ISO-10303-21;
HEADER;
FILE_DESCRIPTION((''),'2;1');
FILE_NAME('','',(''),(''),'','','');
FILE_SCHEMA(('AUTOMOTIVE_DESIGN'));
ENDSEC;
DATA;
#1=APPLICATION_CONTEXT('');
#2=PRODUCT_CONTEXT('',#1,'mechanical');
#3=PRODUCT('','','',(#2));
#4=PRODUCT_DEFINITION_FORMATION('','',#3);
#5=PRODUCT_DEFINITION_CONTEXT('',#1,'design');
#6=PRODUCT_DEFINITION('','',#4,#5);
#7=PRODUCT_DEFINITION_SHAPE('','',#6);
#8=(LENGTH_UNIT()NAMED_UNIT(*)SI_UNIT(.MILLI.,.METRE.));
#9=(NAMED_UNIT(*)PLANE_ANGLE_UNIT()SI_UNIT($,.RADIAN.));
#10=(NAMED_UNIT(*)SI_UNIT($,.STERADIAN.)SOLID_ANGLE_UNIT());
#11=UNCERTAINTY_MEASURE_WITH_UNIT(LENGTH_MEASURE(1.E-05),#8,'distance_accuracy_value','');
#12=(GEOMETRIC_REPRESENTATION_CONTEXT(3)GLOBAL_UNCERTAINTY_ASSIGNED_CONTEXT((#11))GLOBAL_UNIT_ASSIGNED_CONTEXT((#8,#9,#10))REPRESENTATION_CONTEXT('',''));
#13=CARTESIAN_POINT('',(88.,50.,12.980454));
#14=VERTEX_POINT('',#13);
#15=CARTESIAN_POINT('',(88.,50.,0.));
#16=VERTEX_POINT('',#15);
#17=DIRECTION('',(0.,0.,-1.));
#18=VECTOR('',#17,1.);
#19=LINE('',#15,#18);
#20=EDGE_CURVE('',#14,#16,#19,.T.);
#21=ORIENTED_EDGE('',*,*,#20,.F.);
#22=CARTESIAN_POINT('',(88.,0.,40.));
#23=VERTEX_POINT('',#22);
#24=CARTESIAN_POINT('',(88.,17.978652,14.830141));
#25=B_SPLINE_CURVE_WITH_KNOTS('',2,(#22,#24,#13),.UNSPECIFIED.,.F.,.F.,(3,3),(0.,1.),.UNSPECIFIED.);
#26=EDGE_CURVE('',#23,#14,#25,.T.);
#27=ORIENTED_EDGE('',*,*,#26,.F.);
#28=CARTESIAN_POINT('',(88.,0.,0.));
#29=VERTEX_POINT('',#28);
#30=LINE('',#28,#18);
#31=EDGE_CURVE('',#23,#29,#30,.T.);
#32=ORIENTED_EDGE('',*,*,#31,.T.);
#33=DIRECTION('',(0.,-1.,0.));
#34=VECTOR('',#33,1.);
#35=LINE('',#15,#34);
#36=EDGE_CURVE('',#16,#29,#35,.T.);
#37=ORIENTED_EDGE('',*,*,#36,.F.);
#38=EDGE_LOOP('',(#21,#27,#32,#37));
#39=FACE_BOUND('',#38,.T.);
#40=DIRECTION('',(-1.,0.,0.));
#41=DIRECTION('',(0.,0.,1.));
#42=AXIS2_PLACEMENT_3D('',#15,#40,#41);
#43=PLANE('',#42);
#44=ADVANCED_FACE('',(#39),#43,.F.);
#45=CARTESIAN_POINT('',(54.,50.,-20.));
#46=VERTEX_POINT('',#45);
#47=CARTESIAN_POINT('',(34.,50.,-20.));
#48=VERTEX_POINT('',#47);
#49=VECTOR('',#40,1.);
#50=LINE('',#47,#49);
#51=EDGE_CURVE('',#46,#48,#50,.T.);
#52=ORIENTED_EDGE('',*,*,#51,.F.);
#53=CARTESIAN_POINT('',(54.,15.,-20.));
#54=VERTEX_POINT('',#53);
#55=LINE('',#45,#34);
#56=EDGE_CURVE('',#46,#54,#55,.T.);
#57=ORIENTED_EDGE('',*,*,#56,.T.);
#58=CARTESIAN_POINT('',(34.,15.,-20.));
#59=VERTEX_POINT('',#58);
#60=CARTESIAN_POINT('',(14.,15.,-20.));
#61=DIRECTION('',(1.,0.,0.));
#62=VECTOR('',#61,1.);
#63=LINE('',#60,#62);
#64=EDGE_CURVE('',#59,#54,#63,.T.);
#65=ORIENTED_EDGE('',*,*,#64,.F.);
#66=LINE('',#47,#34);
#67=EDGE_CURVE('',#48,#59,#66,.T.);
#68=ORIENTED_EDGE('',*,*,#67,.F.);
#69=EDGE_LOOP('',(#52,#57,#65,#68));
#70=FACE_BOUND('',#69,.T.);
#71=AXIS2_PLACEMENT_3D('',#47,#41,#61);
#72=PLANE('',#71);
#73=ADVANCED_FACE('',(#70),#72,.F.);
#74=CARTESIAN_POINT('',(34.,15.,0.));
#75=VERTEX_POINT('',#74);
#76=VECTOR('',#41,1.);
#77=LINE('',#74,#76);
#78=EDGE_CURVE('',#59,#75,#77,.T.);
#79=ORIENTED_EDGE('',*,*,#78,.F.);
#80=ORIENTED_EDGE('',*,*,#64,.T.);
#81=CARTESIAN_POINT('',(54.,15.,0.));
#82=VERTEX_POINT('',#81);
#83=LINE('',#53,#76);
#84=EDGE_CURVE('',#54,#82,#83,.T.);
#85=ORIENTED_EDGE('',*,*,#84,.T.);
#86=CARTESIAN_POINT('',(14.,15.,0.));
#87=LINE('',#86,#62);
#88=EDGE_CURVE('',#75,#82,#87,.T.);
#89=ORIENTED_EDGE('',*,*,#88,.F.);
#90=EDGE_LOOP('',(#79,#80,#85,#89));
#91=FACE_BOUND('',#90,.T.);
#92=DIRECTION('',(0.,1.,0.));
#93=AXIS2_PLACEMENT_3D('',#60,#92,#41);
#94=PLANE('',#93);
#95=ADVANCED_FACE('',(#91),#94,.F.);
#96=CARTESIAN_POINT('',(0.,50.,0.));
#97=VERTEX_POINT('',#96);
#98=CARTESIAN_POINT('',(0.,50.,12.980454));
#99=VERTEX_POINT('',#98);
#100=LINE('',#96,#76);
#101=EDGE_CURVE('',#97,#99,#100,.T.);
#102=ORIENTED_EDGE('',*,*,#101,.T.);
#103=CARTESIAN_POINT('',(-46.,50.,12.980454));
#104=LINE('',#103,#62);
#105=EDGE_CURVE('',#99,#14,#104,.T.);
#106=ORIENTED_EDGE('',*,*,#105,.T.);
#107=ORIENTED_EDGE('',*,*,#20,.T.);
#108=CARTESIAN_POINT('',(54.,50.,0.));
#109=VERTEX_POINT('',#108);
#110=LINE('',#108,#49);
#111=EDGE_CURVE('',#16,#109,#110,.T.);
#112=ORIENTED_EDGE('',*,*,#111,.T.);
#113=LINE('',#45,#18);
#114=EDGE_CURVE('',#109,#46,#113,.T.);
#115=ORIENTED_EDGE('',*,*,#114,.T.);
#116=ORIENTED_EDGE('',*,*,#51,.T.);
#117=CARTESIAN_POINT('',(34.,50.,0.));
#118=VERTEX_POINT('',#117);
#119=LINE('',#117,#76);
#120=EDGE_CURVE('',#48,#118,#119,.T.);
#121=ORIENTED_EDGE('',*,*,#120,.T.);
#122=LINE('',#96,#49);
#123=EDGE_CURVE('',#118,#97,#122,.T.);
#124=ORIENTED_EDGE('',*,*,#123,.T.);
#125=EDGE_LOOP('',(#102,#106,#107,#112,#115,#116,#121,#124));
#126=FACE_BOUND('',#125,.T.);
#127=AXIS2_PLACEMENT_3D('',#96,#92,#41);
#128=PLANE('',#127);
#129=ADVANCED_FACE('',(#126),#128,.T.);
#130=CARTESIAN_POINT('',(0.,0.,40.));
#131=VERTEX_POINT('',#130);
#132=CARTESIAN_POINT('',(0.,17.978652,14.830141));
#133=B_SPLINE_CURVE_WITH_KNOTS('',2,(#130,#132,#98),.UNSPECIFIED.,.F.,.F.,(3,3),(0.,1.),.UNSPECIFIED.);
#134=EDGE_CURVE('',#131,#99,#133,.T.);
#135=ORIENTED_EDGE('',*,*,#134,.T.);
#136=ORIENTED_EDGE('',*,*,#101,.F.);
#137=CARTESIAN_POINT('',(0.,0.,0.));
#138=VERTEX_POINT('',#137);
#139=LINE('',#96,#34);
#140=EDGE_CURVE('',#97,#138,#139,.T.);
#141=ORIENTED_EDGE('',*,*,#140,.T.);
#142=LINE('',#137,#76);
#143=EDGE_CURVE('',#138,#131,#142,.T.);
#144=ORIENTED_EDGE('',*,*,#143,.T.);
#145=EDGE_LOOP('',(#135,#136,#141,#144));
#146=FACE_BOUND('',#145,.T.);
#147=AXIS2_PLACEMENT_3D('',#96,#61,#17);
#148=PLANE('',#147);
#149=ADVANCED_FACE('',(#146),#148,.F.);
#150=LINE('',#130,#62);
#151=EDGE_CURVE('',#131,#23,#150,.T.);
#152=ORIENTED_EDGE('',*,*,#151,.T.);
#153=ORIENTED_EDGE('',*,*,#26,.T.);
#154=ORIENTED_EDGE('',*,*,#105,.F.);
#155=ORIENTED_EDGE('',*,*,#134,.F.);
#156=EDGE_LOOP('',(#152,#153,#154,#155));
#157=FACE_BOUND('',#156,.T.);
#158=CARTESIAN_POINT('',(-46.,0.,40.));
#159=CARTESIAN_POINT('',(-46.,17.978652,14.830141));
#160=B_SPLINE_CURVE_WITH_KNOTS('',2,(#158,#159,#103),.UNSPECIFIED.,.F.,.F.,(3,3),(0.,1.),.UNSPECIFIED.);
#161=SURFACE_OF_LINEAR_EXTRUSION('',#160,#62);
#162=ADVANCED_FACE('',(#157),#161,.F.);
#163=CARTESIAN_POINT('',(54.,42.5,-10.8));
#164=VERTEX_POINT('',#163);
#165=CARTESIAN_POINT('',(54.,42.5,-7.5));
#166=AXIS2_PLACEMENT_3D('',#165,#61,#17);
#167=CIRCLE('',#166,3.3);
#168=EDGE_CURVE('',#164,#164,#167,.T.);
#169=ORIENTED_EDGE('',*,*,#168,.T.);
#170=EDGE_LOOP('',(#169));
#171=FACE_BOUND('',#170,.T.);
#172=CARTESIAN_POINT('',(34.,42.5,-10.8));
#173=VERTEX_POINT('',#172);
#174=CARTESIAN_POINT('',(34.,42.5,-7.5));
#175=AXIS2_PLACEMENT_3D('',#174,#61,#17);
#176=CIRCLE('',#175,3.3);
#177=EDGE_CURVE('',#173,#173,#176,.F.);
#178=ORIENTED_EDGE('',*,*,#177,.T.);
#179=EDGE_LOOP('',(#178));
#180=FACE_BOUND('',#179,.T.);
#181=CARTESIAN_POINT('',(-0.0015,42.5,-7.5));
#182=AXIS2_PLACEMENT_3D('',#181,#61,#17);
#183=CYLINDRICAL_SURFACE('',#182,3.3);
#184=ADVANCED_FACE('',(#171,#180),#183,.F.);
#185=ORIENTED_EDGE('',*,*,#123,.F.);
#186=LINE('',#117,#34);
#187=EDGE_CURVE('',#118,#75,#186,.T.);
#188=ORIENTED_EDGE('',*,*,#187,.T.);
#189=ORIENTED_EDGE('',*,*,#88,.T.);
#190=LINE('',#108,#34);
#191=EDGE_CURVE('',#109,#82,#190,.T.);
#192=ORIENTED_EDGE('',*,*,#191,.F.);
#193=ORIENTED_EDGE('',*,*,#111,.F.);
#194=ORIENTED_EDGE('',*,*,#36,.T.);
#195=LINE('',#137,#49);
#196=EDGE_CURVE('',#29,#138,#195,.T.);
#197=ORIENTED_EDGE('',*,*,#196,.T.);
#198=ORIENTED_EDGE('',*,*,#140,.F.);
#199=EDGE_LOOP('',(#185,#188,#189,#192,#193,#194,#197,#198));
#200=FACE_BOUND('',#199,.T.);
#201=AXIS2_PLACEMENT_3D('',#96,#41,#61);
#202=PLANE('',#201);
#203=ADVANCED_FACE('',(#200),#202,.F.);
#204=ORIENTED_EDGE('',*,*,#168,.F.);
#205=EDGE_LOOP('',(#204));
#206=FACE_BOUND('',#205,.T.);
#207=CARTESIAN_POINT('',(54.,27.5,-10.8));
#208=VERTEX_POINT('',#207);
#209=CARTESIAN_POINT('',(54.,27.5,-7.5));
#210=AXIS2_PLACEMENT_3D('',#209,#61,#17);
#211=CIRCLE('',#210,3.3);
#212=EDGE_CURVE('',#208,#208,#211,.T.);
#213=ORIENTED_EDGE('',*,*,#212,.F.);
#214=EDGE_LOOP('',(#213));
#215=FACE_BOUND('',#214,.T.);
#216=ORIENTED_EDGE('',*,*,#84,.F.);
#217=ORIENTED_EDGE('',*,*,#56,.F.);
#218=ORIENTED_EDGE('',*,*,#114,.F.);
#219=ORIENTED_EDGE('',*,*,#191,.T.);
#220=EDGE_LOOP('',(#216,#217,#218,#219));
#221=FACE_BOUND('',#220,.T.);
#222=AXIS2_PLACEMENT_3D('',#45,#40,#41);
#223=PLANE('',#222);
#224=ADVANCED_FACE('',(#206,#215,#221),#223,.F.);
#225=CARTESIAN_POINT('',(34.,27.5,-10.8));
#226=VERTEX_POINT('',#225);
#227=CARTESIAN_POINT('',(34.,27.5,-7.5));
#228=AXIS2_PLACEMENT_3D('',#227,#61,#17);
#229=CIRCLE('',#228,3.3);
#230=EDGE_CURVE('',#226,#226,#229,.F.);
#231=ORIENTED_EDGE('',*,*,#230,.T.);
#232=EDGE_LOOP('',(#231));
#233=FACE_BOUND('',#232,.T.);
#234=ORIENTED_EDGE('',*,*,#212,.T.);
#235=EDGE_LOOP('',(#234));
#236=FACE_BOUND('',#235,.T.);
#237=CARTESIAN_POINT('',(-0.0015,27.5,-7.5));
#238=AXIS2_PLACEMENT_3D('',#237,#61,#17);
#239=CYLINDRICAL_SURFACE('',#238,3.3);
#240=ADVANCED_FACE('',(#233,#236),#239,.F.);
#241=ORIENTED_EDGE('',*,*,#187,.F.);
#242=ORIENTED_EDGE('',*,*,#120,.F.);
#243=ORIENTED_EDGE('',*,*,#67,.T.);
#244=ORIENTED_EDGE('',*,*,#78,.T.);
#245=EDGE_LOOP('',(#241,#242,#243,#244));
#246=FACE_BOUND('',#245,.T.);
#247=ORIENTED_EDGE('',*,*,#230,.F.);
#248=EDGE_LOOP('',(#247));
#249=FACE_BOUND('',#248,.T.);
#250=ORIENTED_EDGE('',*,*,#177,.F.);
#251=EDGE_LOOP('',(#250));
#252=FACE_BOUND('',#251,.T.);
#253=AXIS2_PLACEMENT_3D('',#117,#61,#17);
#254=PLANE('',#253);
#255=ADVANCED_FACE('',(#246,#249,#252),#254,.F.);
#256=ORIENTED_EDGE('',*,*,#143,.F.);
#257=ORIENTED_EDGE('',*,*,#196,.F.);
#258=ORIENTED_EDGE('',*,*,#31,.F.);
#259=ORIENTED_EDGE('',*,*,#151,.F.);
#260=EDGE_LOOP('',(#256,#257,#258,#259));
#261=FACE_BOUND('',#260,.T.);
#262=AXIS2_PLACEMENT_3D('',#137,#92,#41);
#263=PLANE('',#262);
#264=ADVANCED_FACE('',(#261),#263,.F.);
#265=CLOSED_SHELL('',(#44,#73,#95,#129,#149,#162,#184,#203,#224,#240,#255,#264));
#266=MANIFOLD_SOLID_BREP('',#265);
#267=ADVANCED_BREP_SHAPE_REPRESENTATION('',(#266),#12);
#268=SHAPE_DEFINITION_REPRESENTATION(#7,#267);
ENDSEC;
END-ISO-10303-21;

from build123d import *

# Parameters (mm, degrees)
BOSS_EXTRUDE1_DEPTH = 50
SKETCH2_W           = 20
SKETCH2_H           = 15
CUT_EXTRUDE1_DEPTH  = 40
CUT_EXTRUDE2_DEPTH  = 134
CUT_EXTRUDE3_REACH  = 85.762
SKETCH5_R           = 3.3


with BuildPart() as part:
    # Sketch1 → Boss-Extrude1 (new body)
    with BuildSketch(Plane(origin=(0, 0, 0), x_dir=(1, 0, 0), z_dir=(0, 1, 0))):
        Polygon((0, 0), (34, 0), (34, 20), (54, 20), (54, 0), (88, 0), (88, -40), (0, -40), align=None)
    extrude(amount=BOSS_EXTRUDE1_DEPTH)

    # Sketch2 → Cut-Extrude1 (cut)
    with BuildSketch(Plane(origin=(54, 0, 0), x_dir=(0, 0, -1), z_dir=(1, 0, 0))):
        with Locations((10, 7.5)):
            Rectangle(SKETCH2_W, SKETCH2_H)
    extrude(amount=-CUT_EXTRUDE1_DEPTH, mode=Mode.SUBTRACT)

    # Sketch3 → Cut-Extrude2 (cut)
    with BuildSketch(Plane(origin=(88, 0, 0), x_dir=(0, 0, -1), z_dir=(1, 0, 0))):
        with BuildLine():
            Line((-40, 0), (-40, 50))
            Line((-40, 50), (-12.980453639, 50))
            add(Edge.make_bspline(
                [(-40, 0), (-14.830140994, 17.978651643), (-12.980453639, 50)],
                knots=[0, 0, 0, 1, 1, 1], degree=2))
        make_face()
    extrude(amount=-CUT_EXTRUDE2_DEPTH, mode=Mode.SUBTRACT)

    # Sketch5 → Cut-Extrude3 (cut, up to next)
    with BuildSketch(Plane(origin=(54, 0, 0), x_dir=(0, 0, -1), z_dir=(1, 0, 0)), mode=Mode.PRIVATE) as cut_extrude3_sk1:
        with Locations((7.5, 42.5)):
            Circle(SKETCH5_R)
    cut_extrude3_tool1 = extrude(cut_extrude3_sk1.sketch, amount=-CUT_EXTRUDE3_REACH, mode=Mode.PRIVATE) & part.part
    # Sketch5 → Cut-Extrude3 (cut, up to next)
    with BuildSketch(Plane(origin=(54, 0, 0), x_dir=(0, 0, -1), z_dir=(1, 0, 0)), mode=Mode.PRIVATE) as cut_extrude3_sk2:
        with Locations((7.5, 27.5)):
            Circle(SKETCH5_R)
    cut_extrude3_tool2 = extrude(cut_extrude3_sk2.sketch, amount=-CUT_EXTRUDE3_REACH, mode=Mode.PRIVATE) & part.part
    add(cut_extrude3_tool1.solids().sort_by_distance((54, 42.5, -7.5))[0], mode=Mode.SUBTRACT)
    add(cut_extrude3_tool2.solids().sort_by_distance((54, 27.5, -7.5))[0], mode=Mode.SUBTRACT)


solid = part.part
